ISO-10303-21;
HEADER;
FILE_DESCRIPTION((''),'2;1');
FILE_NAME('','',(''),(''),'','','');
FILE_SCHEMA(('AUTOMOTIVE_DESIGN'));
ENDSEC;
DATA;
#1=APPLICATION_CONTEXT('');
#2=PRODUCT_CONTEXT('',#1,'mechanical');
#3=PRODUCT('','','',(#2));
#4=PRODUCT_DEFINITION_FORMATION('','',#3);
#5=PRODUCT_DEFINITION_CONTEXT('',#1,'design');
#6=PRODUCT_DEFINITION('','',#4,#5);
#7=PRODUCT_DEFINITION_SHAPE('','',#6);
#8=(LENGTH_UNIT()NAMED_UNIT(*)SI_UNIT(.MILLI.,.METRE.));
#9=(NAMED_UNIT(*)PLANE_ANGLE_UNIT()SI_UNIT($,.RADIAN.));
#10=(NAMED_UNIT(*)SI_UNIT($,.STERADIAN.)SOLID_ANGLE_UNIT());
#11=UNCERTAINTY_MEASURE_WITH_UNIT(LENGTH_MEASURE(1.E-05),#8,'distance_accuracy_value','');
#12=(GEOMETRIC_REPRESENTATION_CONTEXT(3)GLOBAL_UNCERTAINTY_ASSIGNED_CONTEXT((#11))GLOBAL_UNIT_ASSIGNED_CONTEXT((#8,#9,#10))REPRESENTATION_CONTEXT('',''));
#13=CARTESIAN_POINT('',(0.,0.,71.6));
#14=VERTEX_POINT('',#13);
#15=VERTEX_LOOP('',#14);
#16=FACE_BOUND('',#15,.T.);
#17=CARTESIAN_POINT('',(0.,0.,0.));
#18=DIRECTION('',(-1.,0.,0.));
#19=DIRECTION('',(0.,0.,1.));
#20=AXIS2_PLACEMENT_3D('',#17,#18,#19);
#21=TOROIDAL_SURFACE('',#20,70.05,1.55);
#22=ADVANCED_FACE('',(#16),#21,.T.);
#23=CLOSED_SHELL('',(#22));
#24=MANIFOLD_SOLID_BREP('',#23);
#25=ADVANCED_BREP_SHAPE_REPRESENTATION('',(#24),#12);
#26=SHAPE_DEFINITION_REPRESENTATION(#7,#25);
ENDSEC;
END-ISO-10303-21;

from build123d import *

# Parameters (mm, degrees)
SKETCH_1_R = 1.55


with BuildPart() as part:
    # ｽｹｯﾁ1 → Oリング (revolve)
    with BuildSketch(Plane.XY, mode=Mode.PRIVATE) as revolve_o_sk:
        with Locations((0, 70.05)):
            Circle(SKETCH_1_R)
    revolve(revolve_o_sk.sketch.rotate(Axis((0, 0, 0), (1, 0, 0)), 90), axis=Axis((0, 0, 0), (1, 0, 0)))


solid = part.part
